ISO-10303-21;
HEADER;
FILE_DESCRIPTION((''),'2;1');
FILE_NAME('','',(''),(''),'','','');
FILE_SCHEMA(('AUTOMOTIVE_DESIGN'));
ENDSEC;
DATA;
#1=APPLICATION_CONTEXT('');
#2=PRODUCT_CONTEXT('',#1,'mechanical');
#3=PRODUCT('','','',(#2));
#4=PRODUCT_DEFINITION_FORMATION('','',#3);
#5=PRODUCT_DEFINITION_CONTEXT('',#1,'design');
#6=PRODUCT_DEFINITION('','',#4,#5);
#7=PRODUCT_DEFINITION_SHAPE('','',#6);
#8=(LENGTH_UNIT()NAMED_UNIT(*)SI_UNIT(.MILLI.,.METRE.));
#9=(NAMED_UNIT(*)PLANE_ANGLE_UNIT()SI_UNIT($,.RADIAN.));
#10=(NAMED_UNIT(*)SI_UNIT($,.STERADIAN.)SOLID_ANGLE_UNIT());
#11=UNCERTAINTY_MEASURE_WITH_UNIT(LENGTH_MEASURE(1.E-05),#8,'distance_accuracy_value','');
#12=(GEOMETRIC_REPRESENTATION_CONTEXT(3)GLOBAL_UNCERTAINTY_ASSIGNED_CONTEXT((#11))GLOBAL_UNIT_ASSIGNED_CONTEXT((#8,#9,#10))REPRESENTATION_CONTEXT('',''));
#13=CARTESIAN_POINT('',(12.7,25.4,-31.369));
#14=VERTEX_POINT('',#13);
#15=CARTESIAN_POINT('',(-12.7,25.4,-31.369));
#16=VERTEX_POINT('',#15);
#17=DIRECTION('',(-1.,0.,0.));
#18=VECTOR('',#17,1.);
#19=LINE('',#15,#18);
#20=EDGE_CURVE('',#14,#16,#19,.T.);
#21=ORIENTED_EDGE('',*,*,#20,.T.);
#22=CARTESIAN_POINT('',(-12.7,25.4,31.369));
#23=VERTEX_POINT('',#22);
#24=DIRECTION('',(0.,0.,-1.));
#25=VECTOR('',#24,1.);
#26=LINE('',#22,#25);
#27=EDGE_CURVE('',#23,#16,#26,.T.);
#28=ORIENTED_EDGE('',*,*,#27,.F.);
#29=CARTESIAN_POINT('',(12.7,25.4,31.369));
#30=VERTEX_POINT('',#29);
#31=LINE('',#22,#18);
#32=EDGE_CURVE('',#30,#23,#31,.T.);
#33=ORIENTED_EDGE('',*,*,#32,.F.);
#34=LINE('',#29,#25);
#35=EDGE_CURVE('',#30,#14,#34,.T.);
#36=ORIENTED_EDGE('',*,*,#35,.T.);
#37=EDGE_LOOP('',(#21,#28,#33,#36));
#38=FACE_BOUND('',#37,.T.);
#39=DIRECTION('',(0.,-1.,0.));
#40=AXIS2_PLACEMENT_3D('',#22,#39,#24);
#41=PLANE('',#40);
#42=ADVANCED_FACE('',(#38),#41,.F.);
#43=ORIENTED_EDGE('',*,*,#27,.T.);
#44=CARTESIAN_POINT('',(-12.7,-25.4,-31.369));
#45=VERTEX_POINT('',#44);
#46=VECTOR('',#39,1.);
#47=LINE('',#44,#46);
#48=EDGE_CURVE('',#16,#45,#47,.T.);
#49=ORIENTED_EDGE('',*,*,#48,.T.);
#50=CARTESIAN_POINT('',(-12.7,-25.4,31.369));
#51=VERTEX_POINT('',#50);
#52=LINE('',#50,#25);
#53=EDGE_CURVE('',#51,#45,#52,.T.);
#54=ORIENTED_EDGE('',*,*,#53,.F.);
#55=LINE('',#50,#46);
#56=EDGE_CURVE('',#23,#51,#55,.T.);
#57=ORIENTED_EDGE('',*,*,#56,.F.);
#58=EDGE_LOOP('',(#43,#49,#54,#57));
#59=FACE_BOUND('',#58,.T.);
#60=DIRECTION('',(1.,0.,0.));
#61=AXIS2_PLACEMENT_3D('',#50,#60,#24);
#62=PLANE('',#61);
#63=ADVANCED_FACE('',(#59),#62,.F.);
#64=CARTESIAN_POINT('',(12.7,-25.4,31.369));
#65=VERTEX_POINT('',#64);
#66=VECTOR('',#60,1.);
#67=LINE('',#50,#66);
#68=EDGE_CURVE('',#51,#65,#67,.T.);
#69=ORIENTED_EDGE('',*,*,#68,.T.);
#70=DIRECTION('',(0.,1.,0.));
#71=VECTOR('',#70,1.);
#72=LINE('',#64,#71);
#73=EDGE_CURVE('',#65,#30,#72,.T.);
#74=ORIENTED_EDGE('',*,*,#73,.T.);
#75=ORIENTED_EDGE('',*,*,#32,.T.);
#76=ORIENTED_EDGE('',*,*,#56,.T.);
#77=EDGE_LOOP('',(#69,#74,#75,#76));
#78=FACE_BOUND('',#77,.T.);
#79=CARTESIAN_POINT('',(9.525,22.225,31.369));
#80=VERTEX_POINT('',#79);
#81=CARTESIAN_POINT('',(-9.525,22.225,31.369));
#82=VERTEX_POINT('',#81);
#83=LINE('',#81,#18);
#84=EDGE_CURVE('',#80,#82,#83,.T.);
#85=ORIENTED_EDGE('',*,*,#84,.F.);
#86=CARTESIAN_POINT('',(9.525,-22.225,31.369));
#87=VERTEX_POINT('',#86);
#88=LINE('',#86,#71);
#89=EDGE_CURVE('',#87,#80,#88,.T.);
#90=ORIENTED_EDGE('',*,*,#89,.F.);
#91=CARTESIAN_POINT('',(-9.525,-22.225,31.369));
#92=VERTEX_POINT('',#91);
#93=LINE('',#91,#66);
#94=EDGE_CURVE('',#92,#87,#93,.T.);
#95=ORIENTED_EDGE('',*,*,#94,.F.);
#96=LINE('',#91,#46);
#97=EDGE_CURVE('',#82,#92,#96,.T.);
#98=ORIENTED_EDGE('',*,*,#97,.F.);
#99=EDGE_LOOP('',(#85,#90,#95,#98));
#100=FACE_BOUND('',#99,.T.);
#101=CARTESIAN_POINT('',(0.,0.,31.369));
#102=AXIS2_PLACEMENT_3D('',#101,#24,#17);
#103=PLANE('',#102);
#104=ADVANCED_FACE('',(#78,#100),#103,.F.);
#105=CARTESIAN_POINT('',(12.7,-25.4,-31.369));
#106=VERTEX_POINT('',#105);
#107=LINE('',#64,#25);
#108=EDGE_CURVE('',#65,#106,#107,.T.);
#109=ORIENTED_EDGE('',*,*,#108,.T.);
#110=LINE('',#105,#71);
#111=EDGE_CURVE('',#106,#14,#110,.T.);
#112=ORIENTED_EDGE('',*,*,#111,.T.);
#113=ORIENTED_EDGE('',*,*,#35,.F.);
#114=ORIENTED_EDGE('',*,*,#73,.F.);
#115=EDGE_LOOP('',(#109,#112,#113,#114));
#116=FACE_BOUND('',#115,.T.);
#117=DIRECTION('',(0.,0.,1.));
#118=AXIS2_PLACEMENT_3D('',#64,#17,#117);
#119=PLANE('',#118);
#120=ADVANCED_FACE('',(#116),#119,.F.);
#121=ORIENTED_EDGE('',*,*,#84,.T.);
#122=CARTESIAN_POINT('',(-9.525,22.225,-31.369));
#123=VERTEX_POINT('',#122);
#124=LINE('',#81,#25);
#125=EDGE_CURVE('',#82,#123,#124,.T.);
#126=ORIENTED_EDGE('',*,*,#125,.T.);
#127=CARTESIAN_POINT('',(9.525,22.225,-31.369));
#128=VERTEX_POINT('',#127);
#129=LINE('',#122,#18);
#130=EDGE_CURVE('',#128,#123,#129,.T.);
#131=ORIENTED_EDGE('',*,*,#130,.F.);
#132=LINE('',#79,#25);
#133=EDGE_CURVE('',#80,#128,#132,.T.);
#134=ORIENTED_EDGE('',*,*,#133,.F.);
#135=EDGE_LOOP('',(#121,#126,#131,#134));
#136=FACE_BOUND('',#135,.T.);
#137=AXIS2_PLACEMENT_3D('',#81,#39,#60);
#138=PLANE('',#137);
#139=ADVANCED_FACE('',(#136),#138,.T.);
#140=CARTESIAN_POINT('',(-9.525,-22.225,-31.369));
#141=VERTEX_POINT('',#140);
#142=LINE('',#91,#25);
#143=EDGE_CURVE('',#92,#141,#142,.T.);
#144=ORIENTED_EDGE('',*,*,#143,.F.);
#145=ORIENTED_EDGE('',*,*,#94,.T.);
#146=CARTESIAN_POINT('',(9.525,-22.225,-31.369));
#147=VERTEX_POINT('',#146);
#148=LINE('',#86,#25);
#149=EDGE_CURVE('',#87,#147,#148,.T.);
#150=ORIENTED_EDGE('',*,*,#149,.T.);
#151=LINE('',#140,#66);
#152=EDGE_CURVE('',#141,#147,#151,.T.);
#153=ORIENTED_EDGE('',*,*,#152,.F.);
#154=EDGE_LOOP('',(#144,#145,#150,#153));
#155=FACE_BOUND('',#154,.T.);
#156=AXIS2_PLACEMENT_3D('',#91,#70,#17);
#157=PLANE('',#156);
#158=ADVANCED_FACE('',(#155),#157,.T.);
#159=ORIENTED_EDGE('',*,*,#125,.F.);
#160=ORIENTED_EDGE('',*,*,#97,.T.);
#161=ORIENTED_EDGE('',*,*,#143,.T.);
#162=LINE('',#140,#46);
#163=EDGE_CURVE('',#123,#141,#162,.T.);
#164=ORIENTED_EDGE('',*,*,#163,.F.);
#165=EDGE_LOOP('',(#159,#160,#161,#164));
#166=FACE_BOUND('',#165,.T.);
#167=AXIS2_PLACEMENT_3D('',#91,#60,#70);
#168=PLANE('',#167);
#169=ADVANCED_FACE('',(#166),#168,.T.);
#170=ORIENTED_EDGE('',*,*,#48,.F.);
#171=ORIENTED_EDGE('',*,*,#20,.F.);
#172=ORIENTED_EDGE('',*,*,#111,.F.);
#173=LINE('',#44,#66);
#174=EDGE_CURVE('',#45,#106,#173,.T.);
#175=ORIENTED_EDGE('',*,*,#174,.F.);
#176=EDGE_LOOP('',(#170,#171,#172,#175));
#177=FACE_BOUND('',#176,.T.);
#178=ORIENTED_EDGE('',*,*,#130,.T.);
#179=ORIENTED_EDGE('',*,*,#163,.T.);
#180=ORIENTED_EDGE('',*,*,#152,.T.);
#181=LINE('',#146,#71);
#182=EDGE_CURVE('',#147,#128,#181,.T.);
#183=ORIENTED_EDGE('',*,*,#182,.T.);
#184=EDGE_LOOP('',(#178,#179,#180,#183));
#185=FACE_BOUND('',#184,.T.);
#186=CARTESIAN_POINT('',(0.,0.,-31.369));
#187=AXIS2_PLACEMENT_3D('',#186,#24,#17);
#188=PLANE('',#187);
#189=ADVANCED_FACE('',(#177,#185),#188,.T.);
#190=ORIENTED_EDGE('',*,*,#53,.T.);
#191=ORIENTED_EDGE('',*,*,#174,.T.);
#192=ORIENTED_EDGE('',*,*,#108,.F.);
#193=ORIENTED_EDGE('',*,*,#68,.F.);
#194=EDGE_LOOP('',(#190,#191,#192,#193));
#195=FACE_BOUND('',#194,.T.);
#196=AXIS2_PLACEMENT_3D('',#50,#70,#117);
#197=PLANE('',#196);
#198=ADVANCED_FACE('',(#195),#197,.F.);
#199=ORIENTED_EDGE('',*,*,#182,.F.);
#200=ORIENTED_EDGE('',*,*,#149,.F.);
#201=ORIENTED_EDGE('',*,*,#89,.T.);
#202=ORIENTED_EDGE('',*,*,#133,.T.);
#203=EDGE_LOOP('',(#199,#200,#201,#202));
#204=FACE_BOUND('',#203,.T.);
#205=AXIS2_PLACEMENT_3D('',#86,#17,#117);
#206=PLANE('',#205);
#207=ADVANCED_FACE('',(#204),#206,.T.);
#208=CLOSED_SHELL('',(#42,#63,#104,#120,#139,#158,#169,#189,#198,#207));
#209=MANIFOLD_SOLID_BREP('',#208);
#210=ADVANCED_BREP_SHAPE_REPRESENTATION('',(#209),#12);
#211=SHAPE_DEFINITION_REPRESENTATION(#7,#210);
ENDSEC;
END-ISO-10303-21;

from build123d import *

# Parameters (mm, degrees)
SKETCH1_W           = 25.4
SKETCH1_H           = 50.8
SKETCH1_W_2         = 19.05
SKETCH1_H_2         = 44.45
BOSS_EXTRUDE1_DEPTH = 31.369


with BuildPart() as part:
    # Sketch1 → Boss-Extrude1 (new, symmetric)
    with BuildSketch(Plane.XY):
        Rectangle(SKETCH1_W, SKETCH1_H)
        Rectangle(SKETCH1_W_2, SKETCH1_H_2, mode=Mode.SUBTRACT)
    extrude(amount=BOSS_EXTRUDE1_DEPTH, both=True)


solid = part.part
